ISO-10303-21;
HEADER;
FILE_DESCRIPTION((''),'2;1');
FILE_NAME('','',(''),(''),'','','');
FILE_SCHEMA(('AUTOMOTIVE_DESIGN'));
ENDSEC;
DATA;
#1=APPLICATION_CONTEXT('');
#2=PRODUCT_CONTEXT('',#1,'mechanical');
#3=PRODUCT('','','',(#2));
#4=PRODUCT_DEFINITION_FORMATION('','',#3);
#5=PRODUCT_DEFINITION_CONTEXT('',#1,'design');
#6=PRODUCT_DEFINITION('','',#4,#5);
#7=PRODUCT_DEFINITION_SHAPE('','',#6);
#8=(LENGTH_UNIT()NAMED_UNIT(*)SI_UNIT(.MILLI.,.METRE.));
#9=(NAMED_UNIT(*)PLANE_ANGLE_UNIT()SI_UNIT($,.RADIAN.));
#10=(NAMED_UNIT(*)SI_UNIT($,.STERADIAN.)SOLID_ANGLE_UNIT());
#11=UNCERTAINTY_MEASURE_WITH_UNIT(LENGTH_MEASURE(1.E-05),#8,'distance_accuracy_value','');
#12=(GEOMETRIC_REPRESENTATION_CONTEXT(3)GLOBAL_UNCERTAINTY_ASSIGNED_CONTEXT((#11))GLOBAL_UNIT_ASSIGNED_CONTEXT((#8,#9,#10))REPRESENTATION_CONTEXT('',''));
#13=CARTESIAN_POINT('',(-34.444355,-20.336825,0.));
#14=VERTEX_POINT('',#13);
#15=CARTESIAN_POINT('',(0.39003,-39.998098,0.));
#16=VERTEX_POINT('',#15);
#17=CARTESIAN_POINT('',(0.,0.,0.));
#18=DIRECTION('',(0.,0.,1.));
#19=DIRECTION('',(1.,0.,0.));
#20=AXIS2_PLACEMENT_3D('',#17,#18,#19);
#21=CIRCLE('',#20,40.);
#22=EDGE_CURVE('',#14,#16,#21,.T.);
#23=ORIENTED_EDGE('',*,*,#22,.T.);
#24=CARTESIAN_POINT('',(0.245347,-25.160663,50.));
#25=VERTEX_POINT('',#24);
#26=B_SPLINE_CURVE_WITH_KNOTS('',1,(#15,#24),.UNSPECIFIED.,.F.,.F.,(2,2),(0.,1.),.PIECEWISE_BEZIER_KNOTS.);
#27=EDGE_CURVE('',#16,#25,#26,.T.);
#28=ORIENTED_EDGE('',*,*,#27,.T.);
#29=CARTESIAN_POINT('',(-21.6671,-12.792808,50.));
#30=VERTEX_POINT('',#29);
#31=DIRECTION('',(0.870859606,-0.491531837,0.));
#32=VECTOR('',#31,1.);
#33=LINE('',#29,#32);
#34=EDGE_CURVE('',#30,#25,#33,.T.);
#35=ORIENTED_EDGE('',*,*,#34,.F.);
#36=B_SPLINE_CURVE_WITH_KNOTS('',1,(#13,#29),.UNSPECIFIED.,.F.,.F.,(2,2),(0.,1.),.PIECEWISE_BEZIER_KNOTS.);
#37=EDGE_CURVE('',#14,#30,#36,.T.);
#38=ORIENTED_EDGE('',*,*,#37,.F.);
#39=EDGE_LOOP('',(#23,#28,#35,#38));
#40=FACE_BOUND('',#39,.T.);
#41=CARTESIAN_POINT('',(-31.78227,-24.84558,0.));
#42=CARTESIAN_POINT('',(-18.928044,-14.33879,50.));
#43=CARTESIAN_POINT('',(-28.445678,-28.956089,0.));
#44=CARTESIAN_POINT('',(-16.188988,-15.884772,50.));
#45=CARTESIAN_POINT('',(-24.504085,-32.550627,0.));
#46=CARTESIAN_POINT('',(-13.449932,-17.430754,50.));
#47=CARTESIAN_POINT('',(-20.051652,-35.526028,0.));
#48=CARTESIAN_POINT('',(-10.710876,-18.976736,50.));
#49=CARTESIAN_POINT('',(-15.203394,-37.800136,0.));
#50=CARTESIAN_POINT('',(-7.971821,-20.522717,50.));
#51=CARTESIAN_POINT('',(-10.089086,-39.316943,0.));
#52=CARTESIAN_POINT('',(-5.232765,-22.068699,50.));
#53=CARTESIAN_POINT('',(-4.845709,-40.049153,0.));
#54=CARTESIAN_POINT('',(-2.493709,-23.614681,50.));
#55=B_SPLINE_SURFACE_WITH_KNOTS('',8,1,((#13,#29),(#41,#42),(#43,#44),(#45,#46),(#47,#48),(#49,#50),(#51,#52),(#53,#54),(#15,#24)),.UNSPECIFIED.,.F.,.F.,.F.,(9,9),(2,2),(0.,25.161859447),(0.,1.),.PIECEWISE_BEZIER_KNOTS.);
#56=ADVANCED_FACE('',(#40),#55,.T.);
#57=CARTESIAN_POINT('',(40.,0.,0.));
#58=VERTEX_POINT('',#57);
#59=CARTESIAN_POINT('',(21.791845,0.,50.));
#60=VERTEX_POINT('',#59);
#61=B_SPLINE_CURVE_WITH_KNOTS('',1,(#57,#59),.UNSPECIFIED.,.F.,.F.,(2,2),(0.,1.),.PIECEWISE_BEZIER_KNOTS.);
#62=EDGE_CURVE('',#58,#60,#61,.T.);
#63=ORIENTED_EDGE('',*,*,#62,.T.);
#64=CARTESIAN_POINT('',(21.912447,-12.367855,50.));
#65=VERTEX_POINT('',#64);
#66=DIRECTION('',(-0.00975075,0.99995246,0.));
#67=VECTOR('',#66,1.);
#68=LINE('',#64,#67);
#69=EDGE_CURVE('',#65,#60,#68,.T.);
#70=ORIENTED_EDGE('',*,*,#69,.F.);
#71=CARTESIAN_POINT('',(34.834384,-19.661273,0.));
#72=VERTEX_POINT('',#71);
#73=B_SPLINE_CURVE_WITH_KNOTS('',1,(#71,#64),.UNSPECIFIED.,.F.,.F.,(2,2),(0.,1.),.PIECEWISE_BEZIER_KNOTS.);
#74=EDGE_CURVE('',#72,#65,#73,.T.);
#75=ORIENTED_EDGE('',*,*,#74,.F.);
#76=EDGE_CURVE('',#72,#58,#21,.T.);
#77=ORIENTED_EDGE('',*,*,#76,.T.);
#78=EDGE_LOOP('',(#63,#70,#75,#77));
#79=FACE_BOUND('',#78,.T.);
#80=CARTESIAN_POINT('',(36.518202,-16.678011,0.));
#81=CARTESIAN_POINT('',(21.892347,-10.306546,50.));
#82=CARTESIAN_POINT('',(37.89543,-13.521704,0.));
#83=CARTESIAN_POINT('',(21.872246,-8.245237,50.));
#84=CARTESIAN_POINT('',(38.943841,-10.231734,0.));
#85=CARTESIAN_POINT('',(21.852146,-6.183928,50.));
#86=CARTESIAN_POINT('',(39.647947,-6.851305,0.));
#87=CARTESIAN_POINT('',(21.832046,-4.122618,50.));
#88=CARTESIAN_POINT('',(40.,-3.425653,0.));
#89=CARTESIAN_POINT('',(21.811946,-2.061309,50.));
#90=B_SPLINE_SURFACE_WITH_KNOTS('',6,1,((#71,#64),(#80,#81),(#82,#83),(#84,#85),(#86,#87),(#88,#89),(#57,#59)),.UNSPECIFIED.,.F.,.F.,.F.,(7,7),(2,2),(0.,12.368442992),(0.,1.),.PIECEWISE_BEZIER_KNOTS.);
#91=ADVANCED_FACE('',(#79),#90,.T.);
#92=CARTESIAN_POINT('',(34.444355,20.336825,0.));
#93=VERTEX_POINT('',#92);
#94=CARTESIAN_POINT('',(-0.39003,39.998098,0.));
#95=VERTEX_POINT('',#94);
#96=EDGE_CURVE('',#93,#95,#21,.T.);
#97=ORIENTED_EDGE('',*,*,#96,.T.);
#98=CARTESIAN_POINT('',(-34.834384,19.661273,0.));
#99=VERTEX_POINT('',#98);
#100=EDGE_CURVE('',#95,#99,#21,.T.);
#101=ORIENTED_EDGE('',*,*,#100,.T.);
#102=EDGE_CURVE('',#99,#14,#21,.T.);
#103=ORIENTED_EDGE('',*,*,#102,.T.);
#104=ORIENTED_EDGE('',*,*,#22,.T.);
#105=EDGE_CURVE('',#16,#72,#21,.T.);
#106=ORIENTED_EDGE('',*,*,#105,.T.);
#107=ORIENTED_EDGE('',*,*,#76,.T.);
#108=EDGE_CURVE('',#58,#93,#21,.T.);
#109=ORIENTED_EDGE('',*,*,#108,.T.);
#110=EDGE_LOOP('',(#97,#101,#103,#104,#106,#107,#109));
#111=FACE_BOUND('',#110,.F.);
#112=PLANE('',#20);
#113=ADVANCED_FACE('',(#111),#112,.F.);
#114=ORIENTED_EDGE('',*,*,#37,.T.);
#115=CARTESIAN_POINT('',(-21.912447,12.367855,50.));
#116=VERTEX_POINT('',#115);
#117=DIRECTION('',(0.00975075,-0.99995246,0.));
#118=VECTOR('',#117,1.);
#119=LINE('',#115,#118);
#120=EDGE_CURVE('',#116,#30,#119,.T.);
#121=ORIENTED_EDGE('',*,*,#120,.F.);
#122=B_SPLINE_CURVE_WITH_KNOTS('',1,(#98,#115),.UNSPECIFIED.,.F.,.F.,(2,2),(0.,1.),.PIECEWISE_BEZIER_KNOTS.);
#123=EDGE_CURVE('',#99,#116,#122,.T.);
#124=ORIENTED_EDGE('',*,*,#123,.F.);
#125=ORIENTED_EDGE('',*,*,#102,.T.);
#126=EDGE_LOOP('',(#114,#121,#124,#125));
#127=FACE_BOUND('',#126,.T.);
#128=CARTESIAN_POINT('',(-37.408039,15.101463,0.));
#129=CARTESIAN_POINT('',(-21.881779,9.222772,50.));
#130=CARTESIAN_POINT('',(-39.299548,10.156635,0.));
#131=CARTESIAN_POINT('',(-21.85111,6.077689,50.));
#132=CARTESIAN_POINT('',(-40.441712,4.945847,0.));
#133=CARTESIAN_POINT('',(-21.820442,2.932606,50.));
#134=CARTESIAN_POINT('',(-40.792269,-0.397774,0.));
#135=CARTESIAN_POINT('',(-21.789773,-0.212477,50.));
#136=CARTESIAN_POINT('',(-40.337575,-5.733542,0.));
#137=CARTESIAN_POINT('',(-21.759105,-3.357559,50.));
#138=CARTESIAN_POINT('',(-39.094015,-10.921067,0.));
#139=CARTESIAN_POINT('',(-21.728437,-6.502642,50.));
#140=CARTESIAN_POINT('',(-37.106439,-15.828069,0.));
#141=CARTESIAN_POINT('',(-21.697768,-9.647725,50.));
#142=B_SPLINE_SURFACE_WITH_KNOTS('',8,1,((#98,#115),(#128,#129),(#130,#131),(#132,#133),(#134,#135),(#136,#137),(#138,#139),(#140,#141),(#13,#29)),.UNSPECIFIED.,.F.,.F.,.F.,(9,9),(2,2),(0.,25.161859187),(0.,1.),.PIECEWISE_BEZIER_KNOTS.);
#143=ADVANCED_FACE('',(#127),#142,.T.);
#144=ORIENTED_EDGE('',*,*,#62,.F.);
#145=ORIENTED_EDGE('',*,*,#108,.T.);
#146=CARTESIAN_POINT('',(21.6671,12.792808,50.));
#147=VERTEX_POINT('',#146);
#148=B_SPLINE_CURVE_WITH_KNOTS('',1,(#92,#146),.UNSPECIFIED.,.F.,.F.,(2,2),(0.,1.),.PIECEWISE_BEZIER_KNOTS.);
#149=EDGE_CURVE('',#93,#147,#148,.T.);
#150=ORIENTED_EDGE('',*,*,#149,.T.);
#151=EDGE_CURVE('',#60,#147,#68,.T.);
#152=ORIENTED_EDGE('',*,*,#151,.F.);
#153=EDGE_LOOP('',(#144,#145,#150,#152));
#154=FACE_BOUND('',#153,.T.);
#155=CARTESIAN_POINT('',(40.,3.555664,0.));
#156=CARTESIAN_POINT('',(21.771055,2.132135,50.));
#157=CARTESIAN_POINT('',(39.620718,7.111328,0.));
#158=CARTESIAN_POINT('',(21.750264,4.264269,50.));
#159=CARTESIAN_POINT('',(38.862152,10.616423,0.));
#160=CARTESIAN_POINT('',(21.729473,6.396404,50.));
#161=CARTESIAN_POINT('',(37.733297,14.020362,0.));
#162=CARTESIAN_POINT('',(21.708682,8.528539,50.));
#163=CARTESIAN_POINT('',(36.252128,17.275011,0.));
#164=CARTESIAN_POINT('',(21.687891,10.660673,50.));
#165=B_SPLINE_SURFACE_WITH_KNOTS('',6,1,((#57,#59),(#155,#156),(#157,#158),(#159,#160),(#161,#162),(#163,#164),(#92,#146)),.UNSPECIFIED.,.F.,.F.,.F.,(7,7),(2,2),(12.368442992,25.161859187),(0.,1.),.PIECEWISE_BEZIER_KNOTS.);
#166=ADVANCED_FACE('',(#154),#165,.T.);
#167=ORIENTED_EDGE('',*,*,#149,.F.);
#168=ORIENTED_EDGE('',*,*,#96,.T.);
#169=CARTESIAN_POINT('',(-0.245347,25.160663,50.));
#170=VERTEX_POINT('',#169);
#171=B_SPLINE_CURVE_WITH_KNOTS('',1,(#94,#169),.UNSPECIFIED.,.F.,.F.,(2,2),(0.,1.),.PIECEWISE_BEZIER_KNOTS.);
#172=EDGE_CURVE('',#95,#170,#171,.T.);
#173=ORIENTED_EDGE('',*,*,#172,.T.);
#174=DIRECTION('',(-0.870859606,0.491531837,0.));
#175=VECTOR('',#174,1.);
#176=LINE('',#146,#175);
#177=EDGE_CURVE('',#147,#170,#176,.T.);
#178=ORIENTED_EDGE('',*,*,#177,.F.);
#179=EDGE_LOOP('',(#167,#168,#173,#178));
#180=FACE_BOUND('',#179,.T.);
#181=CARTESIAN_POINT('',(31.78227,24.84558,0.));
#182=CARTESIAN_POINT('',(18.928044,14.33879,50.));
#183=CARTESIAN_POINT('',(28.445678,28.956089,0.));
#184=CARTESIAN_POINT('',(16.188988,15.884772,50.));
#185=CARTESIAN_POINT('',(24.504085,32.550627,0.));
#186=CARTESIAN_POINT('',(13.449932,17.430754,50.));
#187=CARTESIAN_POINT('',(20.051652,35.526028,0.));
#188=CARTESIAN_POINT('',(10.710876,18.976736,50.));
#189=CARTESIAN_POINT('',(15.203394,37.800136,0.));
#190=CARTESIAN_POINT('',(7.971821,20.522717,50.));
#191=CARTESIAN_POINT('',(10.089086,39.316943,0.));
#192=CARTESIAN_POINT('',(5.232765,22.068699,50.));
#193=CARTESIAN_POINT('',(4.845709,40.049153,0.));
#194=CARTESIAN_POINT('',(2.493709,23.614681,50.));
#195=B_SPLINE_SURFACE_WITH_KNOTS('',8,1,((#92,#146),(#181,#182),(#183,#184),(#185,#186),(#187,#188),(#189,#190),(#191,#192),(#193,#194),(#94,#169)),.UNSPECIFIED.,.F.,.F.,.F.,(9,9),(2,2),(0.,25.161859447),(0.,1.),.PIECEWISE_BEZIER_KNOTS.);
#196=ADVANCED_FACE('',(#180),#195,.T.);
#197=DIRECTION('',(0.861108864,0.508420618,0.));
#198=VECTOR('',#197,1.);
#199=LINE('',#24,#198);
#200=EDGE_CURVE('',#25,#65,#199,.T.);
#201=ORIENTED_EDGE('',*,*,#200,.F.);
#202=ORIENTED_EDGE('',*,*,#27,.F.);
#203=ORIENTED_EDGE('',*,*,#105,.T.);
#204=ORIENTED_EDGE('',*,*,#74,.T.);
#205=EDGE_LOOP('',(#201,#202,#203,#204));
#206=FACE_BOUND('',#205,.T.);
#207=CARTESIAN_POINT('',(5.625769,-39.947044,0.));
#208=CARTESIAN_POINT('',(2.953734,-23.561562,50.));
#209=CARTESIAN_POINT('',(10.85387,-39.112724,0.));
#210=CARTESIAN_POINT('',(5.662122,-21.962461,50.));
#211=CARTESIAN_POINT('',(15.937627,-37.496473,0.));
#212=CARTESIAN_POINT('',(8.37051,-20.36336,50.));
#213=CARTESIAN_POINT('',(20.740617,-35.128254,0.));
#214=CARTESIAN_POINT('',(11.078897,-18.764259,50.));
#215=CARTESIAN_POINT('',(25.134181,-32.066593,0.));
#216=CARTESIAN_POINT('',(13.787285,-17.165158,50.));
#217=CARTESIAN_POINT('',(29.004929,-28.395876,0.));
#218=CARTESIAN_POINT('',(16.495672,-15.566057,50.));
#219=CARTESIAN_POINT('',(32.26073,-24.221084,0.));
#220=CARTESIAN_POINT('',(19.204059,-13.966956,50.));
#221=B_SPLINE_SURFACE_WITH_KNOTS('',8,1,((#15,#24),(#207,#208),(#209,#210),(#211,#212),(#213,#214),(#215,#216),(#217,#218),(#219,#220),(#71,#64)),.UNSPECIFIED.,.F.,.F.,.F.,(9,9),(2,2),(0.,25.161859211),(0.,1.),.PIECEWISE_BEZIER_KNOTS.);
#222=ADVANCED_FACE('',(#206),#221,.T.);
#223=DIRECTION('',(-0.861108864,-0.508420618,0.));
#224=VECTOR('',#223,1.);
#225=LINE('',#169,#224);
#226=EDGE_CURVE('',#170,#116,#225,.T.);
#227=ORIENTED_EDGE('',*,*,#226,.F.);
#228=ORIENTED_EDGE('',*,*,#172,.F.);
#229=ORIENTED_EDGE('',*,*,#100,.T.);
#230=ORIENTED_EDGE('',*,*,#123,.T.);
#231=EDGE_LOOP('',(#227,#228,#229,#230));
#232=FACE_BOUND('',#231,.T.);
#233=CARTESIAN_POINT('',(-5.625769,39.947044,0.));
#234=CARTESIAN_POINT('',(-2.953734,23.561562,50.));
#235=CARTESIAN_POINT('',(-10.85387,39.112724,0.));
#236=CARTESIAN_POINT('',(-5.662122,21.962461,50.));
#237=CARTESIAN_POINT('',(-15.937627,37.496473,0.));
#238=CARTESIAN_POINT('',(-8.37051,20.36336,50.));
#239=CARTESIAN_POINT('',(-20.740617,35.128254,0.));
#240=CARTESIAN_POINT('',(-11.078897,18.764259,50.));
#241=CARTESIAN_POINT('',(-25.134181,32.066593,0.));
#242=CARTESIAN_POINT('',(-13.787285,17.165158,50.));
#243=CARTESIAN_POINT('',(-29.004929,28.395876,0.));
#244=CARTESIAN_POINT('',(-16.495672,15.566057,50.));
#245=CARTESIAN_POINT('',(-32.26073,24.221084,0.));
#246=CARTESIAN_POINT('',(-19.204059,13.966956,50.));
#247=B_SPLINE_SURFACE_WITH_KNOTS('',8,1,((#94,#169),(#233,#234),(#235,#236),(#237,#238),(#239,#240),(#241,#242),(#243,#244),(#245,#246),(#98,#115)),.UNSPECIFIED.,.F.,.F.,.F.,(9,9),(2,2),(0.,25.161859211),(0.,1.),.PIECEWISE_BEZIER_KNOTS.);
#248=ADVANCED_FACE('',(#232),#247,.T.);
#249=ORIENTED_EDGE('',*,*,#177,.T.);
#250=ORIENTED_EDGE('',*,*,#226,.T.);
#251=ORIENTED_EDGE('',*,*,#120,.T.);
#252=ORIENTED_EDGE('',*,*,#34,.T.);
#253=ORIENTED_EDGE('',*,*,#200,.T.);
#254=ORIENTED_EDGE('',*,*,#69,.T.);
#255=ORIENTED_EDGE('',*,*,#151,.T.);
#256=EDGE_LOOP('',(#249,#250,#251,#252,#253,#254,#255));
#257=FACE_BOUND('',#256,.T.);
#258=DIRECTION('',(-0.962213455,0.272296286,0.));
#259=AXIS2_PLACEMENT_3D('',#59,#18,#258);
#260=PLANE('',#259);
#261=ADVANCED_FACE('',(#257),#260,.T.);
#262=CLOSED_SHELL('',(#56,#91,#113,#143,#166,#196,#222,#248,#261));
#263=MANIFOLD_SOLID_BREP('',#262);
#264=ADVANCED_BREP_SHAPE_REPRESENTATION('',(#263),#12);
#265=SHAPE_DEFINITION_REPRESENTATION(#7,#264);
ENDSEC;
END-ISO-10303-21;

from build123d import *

# Parameters (mm, degrees)
F0_R = 40


with BuildPart() as f3:
    # F0 (on Top) → F3 section 0
    with BuildSketch(Plane.XY):
        Circle(F0_R)
    # F2 (on offset) → F3 section 1
    with BuildSketch(Plane.XY.offset(50)):
        Polygon((0.245347, -25.160663), (21.912447, -12.367855), (21.6671, 12.792808), (-0.245347, 25.160663), (-21.912447, 12.367855), (-21.6671, -12.792808), align=None)
    loft()


solid = f3.part
